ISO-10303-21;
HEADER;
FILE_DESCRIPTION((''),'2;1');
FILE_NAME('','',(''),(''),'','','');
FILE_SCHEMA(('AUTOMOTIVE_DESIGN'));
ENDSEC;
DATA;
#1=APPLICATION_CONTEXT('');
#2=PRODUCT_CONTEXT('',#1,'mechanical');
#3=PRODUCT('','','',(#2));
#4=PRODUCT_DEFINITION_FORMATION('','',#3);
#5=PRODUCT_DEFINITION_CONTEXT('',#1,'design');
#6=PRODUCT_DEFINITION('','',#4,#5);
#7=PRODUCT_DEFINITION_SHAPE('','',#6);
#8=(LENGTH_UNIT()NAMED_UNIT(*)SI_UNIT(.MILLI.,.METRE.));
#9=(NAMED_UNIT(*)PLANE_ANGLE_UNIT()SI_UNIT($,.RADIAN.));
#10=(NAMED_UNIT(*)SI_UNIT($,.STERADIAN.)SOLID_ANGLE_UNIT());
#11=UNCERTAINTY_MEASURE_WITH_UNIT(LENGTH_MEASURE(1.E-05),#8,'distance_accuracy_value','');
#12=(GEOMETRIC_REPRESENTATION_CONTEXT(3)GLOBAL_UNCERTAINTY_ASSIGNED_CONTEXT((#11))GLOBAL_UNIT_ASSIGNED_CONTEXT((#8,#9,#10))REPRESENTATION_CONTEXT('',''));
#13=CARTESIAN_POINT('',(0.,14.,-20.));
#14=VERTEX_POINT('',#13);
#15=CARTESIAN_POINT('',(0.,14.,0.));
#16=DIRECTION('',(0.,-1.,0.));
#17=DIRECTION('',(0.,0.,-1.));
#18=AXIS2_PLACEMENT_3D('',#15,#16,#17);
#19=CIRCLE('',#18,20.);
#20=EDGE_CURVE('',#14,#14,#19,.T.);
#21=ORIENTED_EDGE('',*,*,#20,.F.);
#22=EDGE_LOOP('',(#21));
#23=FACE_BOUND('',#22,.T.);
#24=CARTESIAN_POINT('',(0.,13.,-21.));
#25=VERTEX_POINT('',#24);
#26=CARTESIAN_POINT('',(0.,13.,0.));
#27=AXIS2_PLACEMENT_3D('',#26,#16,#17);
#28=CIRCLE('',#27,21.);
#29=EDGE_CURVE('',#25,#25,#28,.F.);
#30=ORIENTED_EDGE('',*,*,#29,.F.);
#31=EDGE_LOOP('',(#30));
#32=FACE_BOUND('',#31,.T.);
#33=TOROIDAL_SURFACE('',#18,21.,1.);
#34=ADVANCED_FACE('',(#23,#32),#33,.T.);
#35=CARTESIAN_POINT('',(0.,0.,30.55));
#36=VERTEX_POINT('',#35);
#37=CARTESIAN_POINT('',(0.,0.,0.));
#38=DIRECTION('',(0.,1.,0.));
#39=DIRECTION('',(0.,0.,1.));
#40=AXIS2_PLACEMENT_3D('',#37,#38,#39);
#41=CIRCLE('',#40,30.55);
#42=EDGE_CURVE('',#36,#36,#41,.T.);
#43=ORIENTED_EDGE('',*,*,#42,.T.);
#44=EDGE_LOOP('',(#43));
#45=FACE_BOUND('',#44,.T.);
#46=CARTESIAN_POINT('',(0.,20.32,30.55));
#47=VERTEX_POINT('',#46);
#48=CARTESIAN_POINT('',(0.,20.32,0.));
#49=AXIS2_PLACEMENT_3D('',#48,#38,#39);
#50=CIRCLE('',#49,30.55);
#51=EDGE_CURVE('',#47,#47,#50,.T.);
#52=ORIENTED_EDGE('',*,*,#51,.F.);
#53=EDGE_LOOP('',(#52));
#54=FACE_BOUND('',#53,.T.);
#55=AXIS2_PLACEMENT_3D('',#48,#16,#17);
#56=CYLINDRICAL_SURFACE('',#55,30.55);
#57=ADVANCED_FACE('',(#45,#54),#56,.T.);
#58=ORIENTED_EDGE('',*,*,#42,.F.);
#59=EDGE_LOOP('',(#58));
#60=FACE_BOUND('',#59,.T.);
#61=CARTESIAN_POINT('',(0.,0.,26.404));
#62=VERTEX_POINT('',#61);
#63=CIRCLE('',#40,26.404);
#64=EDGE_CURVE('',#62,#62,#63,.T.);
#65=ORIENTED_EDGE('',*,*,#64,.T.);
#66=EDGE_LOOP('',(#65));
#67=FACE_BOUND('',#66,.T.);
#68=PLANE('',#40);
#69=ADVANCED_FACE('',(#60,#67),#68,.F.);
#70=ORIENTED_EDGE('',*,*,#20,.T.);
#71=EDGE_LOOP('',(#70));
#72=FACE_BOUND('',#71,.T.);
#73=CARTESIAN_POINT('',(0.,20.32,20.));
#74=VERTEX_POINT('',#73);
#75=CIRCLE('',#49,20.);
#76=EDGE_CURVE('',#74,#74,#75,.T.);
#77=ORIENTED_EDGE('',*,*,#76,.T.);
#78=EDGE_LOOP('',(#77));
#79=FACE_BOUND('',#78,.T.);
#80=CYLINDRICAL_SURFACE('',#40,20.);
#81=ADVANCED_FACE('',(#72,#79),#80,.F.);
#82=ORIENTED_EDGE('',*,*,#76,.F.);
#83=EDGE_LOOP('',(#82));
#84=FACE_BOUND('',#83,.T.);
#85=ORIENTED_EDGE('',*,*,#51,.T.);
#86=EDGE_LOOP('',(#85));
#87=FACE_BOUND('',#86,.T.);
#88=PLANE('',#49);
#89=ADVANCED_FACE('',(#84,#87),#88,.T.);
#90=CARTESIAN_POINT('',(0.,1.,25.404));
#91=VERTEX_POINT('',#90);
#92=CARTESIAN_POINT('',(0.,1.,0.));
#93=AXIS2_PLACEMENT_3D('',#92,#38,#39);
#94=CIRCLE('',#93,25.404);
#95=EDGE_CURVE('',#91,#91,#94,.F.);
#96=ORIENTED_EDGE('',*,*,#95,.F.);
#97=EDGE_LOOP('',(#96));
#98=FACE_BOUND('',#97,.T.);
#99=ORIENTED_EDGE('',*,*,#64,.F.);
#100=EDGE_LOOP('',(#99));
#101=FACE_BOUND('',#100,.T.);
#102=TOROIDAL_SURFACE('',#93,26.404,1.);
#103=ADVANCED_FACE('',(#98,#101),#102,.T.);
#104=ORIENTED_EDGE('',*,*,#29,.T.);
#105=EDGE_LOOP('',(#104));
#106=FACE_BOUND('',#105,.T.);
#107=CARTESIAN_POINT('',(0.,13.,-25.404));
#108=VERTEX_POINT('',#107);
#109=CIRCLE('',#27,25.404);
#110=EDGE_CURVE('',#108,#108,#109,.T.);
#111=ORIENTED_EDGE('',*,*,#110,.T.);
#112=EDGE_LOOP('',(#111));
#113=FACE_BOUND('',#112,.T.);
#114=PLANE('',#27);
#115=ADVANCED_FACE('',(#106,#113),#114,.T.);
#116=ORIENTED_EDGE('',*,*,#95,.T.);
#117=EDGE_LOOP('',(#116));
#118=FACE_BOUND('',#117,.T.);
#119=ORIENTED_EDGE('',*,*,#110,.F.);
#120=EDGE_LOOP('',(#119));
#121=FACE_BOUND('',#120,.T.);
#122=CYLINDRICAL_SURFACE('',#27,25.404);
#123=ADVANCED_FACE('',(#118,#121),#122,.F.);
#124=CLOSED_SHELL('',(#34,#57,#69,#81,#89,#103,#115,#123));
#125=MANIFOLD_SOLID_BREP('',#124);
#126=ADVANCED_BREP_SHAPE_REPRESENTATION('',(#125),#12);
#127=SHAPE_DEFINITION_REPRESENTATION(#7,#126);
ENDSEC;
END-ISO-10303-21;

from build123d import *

# Parameters (mm, degrees)
SKETCH1_R           = 30.55
BOSS_EXTRUDE1_DEPTH = 20.32
SKETCH2_R           = 25.404
CUT_EXTRUDE1_DEPTH  = 13
SKETCH3_R           = 20
CUT_EXTRUDE2_DEPTH  = 21.32
FILLET1_R           = 1
FILLET2_R           = 1


with BuildPart() as part:
    # Sketch1 → Boss-Extrude1 (new body)
    with BuildSketch(Plane(origin=(0, 0, 0), x_dir=(1, 0, 0), z_dir=(0, 1, 0))):
        Circle(SKETCH1_R)
    extrude(amount=BOSS_EXTRUDE1_DEPTH)

    # Sketch2 → Cut-Extrude1 (cut)
    with BuildSketch(Plane.XZ):
        Circle(SKETCH2_R)
    extrude(amount=-CUT_EXTRUDE1_DEPTH, mode=Mode.SUBTRACT)

    # Sketch3 → Cut-Extrude2 (cut, through all)
    with BuildSketch(Plane(origin=(0, 20.32, 0), x_dir=(1, 0, 0), z_dir=(0, 1, 0))):
        Circle(SKETCH3_R)
    extrude(amount=-CUT_EXTRUDE2_DEPTH, mode=Mode.SUBTRACT)

    # Fillet1
    fillet1_edges = [part.edges().sort_by_distance(p)[0] for p in [
        (-25.404, 0, 0),
    ]]
    fillet(fillet1_edges, radius=FILLET1_R)

    # Fillet2
    fillet2_edges = [part.edges().sort_by_distance(p)[0] for p in [
        (-20, 13, 0),
    ]]
    fillet(fillet2_edges, radius=FILLET2_R)


solid = part.part
